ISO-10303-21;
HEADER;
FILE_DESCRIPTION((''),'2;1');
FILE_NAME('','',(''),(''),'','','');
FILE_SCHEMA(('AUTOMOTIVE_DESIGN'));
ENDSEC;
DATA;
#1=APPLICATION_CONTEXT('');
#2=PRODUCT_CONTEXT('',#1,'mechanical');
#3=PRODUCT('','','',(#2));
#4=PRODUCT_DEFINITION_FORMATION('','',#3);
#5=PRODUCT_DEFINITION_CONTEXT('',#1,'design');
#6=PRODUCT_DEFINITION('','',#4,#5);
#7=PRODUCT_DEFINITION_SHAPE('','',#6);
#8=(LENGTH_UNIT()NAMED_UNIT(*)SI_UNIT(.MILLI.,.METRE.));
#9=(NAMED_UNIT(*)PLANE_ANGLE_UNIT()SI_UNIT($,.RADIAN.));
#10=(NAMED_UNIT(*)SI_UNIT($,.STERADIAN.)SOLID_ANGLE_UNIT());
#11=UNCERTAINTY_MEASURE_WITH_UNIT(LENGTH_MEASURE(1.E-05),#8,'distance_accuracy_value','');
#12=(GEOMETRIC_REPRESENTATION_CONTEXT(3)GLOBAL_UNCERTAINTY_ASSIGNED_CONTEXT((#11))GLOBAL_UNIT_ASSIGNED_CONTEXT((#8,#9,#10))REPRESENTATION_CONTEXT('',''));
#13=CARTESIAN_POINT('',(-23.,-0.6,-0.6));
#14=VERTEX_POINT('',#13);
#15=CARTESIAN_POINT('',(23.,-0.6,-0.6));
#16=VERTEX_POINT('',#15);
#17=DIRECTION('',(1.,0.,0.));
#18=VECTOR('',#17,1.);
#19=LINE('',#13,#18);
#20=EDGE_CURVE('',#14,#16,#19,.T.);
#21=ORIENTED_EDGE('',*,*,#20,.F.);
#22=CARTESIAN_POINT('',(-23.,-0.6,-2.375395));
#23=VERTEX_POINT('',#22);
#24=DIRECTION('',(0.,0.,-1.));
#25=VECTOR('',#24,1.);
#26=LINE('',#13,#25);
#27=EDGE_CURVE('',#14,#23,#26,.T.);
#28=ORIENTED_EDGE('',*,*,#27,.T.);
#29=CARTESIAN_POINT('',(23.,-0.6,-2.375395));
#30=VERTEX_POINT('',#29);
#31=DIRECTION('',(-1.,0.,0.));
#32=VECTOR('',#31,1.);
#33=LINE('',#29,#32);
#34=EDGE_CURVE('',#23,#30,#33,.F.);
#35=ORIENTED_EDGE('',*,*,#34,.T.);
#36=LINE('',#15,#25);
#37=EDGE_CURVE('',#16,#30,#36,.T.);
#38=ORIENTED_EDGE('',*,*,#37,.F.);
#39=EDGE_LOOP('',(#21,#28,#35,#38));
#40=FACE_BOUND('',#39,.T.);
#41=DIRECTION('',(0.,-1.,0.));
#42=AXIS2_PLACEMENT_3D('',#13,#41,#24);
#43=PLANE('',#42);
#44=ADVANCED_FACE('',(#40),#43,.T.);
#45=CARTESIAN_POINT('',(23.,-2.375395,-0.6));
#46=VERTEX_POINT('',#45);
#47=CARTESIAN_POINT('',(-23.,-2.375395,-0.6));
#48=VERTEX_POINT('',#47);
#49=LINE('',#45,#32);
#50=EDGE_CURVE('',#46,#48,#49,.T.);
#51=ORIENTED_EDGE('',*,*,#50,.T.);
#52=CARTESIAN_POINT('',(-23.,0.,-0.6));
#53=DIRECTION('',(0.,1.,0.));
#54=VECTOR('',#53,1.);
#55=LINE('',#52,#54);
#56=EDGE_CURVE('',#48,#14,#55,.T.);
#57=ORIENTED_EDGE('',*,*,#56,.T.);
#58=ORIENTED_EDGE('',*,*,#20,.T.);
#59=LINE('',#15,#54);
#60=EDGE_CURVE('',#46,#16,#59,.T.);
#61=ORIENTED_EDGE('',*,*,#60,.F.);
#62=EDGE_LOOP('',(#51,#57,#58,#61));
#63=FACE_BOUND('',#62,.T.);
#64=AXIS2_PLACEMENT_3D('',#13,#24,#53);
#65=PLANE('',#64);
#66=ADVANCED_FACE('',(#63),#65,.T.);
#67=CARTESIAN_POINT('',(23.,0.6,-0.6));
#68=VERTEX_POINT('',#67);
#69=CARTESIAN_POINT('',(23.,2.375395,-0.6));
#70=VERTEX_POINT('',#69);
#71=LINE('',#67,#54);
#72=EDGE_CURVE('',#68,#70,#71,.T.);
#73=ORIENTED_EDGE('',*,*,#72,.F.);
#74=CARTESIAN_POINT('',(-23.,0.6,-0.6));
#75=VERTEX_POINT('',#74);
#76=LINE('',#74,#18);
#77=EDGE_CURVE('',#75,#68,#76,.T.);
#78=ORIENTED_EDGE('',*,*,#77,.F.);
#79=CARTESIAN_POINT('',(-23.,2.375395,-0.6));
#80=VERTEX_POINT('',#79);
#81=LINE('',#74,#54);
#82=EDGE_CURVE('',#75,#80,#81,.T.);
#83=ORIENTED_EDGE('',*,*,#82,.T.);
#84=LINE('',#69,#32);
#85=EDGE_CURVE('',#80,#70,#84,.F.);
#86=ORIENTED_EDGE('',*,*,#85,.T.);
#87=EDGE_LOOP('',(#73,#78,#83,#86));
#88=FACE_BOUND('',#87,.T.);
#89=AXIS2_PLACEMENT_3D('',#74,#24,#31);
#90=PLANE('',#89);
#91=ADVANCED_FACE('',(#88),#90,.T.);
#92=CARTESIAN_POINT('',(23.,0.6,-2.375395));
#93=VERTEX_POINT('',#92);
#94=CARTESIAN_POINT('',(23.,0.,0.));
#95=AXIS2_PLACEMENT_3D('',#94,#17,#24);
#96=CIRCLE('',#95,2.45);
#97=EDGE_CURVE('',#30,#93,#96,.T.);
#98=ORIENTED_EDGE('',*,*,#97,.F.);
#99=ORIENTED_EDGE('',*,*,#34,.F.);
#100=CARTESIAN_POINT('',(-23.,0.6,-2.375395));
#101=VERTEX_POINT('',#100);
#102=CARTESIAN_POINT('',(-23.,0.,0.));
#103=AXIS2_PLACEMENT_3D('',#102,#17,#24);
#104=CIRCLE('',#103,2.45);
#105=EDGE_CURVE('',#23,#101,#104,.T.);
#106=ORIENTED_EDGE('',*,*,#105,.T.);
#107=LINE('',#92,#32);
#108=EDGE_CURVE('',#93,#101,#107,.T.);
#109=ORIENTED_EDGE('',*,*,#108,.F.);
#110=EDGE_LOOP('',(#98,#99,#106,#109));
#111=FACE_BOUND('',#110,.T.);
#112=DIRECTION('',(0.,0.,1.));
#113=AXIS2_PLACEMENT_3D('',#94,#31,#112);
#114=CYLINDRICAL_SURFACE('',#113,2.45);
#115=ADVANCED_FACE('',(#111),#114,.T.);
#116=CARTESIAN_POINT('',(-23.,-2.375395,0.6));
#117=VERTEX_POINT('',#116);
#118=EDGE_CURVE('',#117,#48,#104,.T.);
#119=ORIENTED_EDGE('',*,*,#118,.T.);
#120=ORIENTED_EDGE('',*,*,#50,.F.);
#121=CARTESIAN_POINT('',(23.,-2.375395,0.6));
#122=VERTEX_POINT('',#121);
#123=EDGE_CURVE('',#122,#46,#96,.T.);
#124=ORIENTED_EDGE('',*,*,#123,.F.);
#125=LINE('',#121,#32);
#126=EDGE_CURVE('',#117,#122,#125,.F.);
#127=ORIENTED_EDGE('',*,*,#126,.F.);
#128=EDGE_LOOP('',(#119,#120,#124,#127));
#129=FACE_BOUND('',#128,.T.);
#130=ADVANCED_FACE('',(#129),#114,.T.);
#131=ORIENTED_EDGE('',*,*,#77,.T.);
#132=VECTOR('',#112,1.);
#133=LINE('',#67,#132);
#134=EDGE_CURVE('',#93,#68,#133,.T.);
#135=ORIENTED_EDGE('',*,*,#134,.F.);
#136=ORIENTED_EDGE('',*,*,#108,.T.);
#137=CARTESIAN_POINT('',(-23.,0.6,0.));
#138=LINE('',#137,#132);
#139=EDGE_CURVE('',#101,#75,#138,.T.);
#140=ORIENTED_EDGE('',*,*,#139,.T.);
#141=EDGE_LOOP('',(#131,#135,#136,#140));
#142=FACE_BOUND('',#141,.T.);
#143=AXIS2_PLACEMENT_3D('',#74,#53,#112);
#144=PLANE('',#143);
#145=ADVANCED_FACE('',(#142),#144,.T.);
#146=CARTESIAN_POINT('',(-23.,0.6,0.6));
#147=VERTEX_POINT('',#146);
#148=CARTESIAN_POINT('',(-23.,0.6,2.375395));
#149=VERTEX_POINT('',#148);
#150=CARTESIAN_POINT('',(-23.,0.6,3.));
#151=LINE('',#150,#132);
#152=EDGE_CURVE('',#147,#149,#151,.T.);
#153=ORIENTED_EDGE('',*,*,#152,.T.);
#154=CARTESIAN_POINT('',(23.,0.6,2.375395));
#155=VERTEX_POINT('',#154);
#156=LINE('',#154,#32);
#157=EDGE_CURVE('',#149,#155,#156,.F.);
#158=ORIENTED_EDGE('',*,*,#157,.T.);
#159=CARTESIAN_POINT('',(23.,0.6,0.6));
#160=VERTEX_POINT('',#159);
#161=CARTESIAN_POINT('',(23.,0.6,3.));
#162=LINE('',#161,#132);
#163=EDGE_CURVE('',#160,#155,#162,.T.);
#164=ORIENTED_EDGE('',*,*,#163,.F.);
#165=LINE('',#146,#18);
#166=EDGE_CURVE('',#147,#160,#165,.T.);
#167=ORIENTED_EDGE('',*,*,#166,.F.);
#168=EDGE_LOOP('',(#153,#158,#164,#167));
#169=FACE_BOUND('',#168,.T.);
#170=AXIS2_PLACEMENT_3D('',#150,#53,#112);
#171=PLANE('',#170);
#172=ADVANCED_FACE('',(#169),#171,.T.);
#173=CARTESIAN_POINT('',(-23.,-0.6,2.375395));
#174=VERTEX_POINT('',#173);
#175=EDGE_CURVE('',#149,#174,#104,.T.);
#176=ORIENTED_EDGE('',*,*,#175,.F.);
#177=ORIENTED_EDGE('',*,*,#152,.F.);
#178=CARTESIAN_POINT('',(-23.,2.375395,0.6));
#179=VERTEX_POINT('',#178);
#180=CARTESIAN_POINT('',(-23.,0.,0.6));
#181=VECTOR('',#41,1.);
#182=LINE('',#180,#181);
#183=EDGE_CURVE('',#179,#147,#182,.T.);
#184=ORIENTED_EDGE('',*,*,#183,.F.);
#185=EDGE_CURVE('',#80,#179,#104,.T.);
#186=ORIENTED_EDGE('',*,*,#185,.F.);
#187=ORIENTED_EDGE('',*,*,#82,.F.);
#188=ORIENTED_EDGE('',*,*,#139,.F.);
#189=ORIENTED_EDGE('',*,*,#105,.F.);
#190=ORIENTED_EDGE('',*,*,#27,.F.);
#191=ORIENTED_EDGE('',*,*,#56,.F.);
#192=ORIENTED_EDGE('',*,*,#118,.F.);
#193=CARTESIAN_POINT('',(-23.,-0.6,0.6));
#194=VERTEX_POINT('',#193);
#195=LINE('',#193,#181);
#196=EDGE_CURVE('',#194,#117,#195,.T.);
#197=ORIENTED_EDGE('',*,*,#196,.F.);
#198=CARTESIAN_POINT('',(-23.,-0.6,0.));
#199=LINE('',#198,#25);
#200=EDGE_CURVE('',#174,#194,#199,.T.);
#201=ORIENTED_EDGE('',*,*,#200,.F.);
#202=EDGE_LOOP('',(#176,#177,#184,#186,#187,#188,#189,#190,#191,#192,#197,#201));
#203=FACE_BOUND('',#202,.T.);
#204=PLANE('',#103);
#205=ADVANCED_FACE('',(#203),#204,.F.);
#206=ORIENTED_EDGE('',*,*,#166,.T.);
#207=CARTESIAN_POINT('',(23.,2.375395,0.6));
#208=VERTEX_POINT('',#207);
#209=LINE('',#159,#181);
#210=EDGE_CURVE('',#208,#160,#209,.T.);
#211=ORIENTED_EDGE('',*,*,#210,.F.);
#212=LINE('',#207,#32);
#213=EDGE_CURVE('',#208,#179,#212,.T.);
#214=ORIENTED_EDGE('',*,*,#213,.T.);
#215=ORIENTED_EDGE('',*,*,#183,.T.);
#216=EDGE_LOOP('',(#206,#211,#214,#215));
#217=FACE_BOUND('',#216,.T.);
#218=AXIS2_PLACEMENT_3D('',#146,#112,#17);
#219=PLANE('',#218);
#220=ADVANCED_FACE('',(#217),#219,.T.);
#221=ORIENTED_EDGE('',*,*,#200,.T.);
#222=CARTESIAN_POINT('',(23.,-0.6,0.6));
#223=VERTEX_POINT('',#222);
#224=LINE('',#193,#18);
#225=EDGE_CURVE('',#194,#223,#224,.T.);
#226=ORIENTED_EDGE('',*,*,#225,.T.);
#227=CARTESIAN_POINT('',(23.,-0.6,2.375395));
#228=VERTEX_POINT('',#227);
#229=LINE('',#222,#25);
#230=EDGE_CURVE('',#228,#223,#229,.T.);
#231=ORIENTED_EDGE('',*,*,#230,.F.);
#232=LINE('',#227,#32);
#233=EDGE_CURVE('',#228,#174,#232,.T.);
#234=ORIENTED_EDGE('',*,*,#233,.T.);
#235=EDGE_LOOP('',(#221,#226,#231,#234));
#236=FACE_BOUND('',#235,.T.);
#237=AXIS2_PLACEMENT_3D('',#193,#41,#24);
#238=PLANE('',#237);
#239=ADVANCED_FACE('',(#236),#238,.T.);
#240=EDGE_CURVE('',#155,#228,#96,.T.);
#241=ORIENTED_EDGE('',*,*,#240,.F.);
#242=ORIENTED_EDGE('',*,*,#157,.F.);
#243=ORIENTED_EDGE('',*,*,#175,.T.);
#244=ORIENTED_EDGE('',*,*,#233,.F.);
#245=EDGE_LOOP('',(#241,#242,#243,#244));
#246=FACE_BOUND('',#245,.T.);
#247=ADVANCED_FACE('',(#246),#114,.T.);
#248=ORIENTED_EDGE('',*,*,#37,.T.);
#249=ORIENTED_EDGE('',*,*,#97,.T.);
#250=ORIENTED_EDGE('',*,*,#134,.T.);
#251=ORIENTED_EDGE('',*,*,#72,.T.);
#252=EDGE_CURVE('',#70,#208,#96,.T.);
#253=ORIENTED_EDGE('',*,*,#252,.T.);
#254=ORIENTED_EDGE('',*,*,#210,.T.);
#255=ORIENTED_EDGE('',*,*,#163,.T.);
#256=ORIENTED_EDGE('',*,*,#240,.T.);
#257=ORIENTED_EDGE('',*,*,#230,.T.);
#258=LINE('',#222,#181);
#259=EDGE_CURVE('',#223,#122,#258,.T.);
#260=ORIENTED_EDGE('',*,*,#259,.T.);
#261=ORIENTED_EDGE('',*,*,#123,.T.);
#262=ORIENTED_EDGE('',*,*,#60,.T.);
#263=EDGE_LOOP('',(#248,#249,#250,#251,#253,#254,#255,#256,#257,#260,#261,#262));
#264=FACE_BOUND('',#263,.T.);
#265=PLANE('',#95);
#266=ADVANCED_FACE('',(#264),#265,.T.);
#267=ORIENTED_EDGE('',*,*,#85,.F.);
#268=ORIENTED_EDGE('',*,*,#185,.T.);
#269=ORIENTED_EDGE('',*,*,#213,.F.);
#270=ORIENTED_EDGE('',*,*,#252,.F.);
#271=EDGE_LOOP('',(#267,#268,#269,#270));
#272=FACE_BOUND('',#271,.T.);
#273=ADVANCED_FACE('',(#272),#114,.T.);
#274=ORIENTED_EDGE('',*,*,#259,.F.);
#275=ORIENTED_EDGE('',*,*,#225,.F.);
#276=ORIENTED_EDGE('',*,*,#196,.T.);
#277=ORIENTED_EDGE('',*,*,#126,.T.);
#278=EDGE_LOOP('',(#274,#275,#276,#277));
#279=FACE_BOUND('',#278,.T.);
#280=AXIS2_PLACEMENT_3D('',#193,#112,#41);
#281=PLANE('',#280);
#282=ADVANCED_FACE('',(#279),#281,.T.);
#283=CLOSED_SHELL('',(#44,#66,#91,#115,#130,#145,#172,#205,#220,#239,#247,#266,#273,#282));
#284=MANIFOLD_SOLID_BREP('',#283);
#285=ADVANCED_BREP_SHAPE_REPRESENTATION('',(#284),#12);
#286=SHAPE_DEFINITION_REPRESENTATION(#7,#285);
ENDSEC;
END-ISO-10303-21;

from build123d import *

# Parameters (mm, degrees)
SKETCH_1_R          = 2.45
EXTRUDE_1_DEPTH     = 23
SKETCH_2_OUTSIDE_W  = 16.204
SKETCH_2_OUTSIDE_H  = 16.204
CUT_EXTRUDE_1_DEPTH = 47


with BuildPart() as part:
    # 草图1 → 凸台-拉伸1 (new body, symmetric)
    with BuildSketch(Plane(origin=(0, 0, 0), x_dir=(0, 0, -1), z_dir=(1, 0, 0))):
        Circle(SKETCH_1_R)
    extrude(amount=EXTRUDE_1_DEPTH, both=True)

    # 草图2 outside → 切除-拉伸1 (cut, through all)
    with BuildSketch(Plane(origin=(23, 0, 0), x_dir=(0, 0, -1), z_dir=(1, 0, 0))):
        Rectangle(SKETCH_2_OUTSIDE_W, SKETCH_2_OUTSIDE_H)
        Polygon((-3, 0.6), (-0.6, 0.6), (-0.6, 3), (0.6, 3), (0.6, 0.6), (3, 0.6), (3, -0.6), (0.6, -0.6), (0.6, -3), (-0.6, -3), (-0.6, -0.6), (-3, -0.6), align=None, mode=Mode.SUBTRACT)
    extrude(amount=-CUT_EXTRUDE_1_DEPTH, mode=Mode.SUBTRACT)


solid = part.part
